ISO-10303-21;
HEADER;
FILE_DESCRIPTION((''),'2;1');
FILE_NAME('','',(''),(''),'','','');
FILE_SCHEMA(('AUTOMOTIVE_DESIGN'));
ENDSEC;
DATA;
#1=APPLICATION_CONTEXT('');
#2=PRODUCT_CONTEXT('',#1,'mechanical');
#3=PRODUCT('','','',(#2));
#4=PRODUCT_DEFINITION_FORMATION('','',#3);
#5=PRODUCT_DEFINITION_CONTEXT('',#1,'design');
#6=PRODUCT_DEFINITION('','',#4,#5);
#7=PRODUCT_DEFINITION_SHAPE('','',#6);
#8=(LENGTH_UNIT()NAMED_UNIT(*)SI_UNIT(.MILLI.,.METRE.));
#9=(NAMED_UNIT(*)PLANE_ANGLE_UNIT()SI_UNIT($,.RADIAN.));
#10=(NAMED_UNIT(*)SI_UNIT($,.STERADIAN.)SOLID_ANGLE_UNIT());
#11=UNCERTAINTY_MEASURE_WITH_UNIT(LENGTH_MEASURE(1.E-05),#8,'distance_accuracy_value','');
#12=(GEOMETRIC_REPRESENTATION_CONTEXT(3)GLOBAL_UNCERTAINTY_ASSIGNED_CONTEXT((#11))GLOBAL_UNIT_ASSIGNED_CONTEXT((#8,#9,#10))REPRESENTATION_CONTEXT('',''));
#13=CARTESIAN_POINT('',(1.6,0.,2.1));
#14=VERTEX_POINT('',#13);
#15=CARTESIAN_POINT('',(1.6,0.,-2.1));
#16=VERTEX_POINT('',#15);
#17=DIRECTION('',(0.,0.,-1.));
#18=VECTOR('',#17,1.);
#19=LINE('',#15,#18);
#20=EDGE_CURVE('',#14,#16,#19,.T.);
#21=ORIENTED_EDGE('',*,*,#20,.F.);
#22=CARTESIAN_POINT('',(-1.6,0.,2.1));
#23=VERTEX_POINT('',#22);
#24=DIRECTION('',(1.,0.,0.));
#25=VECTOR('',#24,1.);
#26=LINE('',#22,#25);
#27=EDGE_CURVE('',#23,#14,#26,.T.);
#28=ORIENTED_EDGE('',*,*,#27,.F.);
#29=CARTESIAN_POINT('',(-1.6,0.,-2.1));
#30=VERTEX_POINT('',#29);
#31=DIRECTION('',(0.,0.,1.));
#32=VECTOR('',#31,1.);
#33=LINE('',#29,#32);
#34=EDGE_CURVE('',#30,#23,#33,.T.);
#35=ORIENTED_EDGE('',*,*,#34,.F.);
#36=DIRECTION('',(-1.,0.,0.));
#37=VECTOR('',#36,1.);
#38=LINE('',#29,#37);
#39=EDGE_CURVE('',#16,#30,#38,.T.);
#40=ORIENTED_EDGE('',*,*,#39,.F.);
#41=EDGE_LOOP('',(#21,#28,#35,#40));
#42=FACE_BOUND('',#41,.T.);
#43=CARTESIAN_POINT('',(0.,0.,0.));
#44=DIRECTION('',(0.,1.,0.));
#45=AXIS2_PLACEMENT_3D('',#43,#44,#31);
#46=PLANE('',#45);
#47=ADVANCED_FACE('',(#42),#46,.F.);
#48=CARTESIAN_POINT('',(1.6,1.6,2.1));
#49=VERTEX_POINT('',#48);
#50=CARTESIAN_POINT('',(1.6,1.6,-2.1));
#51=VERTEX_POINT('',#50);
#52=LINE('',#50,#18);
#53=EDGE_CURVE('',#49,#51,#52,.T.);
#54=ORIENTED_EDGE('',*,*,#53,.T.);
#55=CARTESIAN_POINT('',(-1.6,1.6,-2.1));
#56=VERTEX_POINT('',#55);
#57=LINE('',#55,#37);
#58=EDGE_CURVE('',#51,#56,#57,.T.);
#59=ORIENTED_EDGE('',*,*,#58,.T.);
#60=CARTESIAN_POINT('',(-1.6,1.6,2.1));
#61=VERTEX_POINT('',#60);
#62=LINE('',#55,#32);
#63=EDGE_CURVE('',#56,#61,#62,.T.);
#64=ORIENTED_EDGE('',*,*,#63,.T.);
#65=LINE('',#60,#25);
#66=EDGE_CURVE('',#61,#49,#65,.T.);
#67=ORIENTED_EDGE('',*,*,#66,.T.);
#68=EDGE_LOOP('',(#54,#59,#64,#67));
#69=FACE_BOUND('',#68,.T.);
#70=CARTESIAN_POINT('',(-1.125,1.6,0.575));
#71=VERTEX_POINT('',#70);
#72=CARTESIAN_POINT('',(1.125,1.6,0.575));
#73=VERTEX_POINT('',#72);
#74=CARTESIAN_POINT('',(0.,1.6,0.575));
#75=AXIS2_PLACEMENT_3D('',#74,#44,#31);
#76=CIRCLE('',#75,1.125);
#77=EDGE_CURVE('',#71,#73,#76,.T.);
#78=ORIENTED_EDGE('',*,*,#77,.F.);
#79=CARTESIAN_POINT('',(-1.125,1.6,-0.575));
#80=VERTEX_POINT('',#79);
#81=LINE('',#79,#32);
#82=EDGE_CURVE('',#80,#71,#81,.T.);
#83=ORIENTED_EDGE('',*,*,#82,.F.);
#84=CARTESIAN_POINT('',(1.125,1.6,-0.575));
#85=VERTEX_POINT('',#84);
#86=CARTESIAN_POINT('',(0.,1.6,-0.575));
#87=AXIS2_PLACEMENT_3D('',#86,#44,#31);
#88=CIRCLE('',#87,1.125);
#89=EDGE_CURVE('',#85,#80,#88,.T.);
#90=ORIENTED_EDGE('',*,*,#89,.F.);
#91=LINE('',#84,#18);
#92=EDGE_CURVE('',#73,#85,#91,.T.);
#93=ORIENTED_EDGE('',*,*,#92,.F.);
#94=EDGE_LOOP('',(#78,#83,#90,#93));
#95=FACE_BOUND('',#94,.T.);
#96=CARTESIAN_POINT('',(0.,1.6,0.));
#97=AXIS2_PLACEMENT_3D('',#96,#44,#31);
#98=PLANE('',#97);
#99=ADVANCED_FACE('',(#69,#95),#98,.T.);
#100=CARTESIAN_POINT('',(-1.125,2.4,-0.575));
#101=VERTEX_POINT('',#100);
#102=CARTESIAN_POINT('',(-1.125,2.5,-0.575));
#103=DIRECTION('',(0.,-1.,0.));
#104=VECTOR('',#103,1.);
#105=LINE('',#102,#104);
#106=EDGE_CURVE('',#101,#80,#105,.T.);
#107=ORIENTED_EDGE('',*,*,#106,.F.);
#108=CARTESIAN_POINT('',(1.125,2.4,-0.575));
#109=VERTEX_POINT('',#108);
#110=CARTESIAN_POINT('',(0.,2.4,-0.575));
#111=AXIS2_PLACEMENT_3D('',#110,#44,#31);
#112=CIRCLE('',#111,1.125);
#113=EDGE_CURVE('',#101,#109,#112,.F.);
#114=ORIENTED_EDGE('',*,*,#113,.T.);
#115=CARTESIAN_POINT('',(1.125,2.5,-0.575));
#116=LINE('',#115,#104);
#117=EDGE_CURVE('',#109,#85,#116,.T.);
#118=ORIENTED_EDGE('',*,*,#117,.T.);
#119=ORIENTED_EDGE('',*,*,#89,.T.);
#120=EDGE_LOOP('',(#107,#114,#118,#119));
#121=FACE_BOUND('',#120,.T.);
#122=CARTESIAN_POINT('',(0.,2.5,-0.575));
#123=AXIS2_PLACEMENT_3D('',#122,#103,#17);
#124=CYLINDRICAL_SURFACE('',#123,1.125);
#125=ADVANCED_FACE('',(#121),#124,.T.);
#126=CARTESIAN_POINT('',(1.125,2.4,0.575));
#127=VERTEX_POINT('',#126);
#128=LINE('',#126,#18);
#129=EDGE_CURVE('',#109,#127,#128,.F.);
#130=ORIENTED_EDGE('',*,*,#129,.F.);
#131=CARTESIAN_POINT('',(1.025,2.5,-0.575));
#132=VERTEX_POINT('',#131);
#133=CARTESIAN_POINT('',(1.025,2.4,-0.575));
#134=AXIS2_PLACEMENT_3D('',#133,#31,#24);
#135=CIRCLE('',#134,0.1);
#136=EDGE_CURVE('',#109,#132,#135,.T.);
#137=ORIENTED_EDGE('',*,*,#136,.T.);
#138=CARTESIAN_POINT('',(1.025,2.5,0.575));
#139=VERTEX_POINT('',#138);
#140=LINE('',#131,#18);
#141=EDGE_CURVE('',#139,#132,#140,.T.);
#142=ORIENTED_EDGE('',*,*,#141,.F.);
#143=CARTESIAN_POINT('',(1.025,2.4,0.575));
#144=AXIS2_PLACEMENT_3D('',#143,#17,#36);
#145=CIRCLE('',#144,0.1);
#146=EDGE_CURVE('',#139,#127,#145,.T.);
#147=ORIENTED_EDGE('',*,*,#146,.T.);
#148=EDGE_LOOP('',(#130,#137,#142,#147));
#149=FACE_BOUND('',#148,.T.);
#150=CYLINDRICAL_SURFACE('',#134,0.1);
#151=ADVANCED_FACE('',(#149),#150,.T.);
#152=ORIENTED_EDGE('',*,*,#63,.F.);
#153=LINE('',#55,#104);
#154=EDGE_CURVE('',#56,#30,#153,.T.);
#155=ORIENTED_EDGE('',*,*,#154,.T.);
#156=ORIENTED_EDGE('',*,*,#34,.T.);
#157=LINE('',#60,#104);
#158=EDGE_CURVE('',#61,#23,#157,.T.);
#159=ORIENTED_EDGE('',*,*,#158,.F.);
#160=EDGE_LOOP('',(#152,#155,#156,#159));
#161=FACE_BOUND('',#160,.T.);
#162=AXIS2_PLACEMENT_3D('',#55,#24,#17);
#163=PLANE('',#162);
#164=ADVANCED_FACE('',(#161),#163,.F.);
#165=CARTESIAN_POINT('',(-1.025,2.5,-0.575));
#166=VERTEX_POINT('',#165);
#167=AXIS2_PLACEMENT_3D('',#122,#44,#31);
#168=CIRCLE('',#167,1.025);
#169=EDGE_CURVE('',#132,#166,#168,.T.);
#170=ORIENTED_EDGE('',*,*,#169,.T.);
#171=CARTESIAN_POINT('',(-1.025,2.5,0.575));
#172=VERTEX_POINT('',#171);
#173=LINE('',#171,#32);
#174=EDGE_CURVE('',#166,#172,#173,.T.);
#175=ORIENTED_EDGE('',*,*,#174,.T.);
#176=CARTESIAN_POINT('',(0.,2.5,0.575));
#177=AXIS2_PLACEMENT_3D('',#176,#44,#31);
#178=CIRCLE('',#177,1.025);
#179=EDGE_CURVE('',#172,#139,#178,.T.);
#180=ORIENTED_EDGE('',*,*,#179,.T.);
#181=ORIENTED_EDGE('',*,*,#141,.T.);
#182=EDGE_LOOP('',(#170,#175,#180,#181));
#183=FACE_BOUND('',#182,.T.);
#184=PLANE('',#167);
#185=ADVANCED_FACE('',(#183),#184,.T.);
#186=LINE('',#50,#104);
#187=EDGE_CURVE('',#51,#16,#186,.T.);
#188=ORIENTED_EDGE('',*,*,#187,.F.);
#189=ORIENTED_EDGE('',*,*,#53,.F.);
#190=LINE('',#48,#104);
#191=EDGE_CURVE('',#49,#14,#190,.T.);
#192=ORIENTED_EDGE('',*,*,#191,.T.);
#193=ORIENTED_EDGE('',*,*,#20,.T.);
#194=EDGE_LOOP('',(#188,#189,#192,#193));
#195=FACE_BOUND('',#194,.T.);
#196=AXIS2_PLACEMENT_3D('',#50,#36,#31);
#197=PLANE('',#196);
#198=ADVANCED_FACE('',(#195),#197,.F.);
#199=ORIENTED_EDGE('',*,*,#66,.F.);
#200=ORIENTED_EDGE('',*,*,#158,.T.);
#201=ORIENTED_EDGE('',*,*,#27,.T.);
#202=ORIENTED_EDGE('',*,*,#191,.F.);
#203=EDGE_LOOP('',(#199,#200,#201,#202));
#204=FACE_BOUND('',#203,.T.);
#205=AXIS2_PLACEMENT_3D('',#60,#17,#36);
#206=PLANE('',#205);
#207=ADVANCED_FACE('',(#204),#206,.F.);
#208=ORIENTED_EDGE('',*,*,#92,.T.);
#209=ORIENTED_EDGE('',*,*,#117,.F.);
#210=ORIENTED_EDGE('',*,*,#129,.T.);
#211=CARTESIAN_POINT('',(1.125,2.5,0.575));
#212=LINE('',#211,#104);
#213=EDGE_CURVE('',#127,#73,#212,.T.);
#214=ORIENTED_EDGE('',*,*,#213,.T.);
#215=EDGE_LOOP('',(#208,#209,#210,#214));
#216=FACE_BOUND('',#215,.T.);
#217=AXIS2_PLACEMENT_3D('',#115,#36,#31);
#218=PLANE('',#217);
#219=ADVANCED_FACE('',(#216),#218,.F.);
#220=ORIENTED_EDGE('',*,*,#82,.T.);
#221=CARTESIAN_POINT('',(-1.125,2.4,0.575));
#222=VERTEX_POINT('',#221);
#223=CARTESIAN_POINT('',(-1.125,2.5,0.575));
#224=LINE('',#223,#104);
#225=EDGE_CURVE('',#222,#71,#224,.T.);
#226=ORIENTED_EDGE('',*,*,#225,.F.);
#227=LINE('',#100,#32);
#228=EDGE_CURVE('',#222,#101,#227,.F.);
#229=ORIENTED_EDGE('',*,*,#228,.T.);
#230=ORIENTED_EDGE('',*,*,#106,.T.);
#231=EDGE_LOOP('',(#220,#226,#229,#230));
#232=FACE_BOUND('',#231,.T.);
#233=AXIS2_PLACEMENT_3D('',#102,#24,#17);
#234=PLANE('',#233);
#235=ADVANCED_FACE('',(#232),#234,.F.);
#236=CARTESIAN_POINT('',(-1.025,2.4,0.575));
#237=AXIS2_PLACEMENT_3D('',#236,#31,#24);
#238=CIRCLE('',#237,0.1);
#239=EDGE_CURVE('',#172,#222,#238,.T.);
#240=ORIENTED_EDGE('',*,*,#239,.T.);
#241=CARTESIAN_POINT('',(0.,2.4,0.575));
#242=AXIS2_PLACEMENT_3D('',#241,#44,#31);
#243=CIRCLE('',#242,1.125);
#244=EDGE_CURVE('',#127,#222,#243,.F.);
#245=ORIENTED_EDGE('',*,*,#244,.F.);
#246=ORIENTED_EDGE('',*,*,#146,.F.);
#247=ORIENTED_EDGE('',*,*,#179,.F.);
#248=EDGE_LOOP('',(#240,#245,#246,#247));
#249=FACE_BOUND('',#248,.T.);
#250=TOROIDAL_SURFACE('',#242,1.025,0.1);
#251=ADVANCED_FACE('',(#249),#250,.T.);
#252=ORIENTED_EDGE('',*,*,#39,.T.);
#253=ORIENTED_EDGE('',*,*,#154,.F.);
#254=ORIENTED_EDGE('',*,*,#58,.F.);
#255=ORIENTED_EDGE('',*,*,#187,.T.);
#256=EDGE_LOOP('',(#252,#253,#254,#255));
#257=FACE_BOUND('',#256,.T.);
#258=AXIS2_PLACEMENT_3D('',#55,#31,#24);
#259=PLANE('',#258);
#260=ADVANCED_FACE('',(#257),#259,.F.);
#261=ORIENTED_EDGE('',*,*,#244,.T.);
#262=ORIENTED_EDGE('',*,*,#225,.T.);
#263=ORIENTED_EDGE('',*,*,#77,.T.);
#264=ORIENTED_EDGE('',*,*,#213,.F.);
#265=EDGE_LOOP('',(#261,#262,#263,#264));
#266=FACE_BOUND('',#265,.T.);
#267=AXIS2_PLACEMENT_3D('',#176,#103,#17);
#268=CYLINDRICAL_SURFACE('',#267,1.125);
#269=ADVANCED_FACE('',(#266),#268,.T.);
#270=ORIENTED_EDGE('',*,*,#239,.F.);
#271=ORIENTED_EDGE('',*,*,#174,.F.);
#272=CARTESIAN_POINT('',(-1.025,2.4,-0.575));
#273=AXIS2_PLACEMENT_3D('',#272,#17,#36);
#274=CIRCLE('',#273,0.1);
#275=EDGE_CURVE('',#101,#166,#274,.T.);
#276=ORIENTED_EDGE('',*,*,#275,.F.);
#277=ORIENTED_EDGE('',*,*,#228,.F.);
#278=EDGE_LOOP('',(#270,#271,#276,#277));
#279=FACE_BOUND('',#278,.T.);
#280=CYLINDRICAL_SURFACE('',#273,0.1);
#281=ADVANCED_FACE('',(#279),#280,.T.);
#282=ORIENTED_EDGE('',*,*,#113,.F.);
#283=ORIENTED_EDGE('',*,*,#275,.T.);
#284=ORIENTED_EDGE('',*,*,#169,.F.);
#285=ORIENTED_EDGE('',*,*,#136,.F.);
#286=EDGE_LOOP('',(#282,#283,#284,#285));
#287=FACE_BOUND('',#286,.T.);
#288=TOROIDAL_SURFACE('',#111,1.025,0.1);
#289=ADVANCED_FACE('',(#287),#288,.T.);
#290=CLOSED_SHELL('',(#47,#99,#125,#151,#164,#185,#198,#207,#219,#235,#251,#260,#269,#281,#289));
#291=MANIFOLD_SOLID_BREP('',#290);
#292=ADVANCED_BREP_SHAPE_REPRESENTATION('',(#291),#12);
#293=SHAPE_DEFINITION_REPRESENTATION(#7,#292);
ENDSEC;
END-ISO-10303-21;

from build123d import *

# Parameters (mm, degrees)
BASES_W      = 3.2
BASES_H      = 4.2
BASE_DEPTH   = 1.6
BUTTON_DEPTH = 0.9
BF_R         = 0.1


with BuildPart() as part:
    # BaseS → Base (new body)
    with BuildSketch(Plane(origin=(0, 0, 0), x_dir=(1, 0, 0), z_dir=(0, 1, 0))):
        Rectangle(BASES_W, BASES_H)
    extrude(amount=BASE_DEPTH)

    # ButtonS → Button (add)
    with BuildSketch(Plane(origin=(0, 1.6, 0), x_dir=(1, 0, 0), z_dir=(0, 1, 0))):
        with BuildLine():
            Line((1.125, 0.575), (1.125, -0.575))
            ThreePointArc((1.125, -0.575), (0, -1.7), (-1.125, -0.575))
            Line((-1.125, -0.575), (-1.125, 0.575))
            ThreePointArc((-1.125, 0.575), (0, 1.7), (1.125, 0.575))
        make_face()
    extrude(amount=BUTTON_DEPTH)

    # BF
    bf_edges = [part.edges().sort_by_distance(p)[0] for p in [
        (0, 2.5, -1.7),
        (-1.125, 2.5, 0),
        (0, 2.5, 1.7),
        (1.125, 2.5, 0),
    ]]
    fillet(bf_edges, radius=BF_R)


solid = part.part
